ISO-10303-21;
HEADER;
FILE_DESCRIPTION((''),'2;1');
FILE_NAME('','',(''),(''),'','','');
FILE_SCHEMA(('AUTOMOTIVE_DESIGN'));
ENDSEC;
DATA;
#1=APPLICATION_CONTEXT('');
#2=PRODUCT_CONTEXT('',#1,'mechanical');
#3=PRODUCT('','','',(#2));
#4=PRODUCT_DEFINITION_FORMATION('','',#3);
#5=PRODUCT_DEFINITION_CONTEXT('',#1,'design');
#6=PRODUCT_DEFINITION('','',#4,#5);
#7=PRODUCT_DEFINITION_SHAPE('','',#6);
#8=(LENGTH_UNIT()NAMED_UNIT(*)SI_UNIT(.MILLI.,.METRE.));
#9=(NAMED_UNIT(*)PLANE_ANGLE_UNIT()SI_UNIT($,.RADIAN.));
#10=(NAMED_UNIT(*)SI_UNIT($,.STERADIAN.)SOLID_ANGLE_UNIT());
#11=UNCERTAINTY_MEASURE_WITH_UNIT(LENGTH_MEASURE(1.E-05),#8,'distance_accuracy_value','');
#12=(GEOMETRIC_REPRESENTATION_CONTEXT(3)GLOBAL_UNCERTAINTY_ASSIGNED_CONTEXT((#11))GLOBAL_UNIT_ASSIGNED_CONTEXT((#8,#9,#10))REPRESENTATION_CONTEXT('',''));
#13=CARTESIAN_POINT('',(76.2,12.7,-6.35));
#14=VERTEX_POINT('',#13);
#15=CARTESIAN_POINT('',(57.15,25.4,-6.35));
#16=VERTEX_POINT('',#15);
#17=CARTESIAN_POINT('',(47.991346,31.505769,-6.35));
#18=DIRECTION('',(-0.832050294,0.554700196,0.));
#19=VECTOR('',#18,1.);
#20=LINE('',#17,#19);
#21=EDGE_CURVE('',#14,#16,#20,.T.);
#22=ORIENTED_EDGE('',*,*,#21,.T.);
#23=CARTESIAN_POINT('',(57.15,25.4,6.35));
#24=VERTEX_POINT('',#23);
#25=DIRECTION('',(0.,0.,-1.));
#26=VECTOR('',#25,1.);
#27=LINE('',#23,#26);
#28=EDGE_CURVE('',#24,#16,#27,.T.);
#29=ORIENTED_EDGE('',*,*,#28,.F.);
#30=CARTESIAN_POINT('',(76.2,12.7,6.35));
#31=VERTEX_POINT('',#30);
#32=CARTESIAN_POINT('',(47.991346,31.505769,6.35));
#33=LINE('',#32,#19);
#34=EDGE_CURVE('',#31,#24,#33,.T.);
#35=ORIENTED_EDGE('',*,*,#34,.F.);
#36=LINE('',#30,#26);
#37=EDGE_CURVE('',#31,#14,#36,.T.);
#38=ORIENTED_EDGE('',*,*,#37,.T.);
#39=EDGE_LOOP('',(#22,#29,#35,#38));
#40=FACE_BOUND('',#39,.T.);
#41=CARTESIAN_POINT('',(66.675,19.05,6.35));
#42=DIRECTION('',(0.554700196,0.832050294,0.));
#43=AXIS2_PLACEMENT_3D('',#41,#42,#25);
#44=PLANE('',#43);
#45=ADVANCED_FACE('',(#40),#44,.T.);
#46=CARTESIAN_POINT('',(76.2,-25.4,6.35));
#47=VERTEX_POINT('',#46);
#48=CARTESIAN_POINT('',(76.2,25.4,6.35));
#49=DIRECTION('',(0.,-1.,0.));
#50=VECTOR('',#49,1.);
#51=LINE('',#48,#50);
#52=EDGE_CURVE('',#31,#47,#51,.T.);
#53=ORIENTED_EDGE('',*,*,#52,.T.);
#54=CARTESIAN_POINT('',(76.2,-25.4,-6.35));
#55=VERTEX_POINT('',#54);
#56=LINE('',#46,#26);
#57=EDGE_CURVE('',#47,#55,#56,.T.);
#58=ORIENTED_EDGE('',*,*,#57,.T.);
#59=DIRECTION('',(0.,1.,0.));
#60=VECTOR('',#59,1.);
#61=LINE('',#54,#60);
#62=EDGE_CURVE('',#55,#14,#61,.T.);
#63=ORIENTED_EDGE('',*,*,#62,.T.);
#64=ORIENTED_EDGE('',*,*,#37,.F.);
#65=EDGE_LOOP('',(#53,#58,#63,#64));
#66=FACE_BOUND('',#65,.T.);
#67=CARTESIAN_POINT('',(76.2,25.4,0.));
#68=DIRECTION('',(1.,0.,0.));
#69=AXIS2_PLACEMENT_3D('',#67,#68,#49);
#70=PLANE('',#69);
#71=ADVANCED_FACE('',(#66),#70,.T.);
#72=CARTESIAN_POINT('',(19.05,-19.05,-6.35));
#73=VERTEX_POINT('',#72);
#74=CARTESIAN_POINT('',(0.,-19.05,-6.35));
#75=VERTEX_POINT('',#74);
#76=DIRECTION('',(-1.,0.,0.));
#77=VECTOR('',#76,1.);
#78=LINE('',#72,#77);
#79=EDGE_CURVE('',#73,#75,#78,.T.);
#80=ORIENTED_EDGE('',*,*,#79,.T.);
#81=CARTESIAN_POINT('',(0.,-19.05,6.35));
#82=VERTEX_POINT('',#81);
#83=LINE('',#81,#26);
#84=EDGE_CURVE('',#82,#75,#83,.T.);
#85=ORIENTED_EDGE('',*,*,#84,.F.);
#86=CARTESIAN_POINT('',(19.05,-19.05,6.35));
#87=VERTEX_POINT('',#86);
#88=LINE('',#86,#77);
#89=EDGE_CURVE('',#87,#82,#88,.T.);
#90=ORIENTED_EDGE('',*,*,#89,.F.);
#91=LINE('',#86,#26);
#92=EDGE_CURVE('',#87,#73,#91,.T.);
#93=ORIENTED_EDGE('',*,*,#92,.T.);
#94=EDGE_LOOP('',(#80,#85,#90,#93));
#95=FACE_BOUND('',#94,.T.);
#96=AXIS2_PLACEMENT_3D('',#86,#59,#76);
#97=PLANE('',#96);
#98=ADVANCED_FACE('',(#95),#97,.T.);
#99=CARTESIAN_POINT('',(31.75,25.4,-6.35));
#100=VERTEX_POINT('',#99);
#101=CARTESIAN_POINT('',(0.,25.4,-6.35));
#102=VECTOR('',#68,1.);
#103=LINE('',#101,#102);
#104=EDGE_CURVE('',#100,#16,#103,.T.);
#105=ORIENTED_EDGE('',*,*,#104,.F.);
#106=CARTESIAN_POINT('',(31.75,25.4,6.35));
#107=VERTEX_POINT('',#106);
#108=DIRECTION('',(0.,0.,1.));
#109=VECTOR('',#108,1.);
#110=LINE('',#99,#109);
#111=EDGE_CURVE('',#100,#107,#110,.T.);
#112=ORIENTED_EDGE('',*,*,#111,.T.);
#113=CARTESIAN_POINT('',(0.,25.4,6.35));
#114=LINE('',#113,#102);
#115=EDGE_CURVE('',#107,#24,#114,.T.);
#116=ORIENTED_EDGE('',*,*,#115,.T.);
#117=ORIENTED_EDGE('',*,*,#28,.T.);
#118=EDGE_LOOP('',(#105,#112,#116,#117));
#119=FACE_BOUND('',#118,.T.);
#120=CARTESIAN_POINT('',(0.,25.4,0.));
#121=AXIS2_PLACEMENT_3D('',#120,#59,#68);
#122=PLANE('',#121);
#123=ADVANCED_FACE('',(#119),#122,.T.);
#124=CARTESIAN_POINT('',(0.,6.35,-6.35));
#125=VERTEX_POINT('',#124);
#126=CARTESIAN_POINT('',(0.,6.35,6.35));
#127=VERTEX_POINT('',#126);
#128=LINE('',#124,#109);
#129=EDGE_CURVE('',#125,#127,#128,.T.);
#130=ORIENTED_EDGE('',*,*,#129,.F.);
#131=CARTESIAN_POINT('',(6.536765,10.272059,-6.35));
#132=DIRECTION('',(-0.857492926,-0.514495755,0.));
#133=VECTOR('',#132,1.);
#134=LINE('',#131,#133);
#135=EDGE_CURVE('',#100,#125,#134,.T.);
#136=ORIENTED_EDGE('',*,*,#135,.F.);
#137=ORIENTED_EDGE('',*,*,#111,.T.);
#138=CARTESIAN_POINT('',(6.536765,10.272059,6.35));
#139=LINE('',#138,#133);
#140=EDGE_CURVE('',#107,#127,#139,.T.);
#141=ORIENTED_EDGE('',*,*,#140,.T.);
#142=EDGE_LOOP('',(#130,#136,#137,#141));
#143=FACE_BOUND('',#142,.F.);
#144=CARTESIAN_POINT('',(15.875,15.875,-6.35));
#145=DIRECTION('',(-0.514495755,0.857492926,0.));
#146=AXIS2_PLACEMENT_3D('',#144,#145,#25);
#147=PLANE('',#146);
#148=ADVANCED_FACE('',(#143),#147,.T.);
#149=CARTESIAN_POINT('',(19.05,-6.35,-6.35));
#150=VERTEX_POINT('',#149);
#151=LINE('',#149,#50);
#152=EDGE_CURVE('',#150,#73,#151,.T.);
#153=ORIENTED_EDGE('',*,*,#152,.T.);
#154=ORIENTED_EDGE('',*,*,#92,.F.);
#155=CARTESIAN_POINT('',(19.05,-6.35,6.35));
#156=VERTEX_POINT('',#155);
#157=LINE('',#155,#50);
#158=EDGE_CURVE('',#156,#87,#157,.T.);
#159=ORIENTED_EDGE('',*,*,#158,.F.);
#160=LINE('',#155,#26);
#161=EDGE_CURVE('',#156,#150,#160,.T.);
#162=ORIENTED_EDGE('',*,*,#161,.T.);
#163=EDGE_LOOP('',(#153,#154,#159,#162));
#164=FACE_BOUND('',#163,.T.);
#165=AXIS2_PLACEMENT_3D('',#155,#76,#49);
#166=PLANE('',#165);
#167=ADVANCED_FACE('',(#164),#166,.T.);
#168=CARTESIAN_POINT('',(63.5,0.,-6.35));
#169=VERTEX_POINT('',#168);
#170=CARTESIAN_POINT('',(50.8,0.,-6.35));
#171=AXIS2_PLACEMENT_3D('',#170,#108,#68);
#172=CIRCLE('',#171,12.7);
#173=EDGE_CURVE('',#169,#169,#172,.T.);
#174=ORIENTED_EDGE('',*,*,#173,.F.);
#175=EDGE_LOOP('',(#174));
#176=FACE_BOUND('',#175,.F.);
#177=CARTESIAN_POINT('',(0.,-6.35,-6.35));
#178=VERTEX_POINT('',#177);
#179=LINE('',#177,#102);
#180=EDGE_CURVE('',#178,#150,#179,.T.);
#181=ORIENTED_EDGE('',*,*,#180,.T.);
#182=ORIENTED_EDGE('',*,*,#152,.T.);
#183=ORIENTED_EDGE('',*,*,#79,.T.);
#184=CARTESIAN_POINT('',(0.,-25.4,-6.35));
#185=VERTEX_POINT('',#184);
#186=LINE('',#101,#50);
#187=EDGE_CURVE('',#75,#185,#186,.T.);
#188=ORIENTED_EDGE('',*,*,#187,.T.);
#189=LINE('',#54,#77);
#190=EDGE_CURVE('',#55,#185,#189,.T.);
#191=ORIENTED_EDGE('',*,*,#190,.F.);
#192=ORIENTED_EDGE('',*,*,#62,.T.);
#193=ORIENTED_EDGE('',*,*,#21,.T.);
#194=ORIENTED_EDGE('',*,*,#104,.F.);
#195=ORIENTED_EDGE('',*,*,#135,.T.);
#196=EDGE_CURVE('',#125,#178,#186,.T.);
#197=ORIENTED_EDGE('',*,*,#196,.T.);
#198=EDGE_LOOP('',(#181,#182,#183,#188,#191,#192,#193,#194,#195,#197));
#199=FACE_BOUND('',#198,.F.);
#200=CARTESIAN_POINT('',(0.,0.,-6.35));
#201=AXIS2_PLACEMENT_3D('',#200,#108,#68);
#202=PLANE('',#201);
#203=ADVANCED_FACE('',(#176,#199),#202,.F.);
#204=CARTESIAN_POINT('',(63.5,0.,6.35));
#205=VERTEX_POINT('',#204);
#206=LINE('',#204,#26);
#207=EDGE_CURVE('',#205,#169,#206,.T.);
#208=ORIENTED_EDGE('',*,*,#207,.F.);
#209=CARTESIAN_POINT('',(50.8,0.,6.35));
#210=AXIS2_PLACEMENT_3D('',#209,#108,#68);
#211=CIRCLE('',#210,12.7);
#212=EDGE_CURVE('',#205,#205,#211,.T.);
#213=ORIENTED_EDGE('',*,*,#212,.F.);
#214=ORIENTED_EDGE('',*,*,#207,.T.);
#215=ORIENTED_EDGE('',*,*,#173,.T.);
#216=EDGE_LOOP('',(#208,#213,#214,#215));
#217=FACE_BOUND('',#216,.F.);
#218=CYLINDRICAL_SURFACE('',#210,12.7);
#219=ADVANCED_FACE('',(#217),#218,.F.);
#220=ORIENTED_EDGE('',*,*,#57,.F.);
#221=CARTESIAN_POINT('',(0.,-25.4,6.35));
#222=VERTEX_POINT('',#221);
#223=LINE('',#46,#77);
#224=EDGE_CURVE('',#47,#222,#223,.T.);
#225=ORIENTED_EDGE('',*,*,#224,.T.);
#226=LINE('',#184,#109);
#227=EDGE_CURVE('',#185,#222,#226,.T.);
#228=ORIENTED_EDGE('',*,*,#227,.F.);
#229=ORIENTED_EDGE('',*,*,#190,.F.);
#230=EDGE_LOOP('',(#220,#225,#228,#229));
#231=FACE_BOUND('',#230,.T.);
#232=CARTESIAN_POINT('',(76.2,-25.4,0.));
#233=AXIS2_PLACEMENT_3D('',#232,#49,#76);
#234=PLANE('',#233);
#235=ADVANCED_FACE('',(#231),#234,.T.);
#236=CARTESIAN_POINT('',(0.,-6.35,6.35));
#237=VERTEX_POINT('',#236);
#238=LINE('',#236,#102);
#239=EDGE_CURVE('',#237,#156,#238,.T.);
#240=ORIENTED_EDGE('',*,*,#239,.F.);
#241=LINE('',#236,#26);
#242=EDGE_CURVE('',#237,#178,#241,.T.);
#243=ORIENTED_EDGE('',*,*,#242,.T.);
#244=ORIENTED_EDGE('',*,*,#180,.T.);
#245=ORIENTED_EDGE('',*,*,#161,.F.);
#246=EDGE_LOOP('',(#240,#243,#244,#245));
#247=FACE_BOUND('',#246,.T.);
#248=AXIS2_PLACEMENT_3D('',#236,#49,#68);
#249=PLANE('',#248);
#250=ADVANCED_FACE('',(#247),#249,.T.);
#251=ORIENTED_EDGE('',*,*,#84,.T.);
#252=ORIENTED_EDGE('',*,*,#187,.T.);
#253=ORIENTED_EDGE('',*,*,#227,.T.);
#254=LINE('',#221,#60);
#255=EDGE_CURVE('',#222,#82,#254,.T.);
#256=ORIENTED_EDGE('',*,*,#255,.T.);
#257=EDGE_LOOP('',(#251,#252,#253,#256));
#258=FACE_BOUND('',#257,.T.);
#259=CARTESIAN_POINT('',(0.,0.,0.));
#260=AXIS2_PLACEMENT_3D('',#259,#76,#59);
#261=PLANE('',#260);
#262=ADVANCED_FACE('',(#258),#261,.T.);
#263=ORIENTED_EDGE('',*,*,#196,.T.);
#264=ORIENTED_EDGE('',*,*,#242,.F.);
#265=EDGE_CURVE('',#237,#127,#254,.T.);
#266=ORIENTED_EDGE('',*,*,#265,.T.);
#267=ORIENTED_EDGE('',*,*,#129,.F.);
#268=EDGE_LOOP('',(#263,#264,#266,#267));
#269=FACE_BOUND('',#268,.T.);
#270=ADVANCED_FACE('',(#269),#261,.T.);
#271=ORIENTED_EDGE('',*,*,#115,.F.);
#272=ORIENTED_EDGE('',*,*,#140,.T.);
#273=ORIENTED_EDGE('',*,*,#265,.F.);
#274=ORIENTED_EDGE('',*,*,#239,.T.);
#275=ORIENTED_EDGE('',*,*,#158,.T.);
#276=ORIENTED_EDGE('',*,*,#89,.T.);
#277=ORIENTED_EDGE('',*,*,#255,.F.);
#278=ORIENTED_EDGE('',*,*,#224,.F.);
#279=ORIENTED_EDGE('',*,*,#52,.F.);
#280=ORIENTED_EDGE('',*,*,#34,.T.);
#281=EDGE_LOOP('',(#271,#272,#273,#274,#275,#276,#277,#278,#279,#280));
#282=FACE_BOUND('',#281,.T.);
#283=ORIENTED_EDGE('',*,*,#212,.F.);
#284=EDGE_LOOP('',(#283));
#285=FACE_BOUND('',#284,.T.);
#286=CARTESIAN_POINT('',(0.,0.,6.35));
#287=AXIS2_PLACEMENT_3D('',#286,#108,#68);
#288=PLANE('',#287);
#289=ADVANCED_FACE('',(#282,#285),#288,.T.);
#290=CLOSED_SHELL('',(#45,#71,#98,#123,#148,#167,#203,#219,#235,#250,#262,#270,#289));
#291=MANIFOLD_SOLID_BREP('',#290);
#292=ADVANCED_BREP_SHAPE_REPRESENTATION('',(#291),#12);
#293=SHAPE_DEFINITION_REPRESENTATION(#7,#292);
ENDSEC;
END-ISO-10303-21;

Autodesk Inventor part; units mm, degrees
sketch "Sketch1" plane through (0, 0, 0) normal (0, 0, 1) x (1, 0, 0)
  line L0 (0, 25.4) -> (76.2, 25.4)
  line L1 (76.2, 25.4) -> (76.2, -25.4)
  line L2 (76.2, -25.4) -> (0, -25.4)
  line L3 (0, -25.4) -> (0, 25.4)
  line L4 (-15.24, 0) -> (91.44, 0) projected
  line L5 (0, 35.56) -> (0, -35.56) projected
  point P0 (0, 0)
  dimension "d0" = 50.8
  dimension "d1" = 76.2
  dimension "d2" = 25.4
  dimension "d3" = 0
extrude "Extrusion1" add sketch "Sketch1" along normal mid plane 12.7
sketch "Sketch2" plane through (0, 0, 6.35) normal (0, 0, 1) x (1, 0, 0)
  circle A0 centre (50.8, 0) radius 12.7
  line L0 (76.2, -25.4) -> (76.2, 25.4) projected
  line L1 (0, -25.4) -> (76.2, -25.4) projected
  point P0 (0, 0)
  dimension "d6" = 25.4
  dimension "d7" = 25.4
  dimension "d8" = 25.4
extrude "Extrusion2" cut sketch "Sketch2" against normal up to surface (12.7 mm away)
sketch "Sketch3" plane through (0, 0, 6.35) normal (0, 0, 1) x (1, 0, 0)
  line L0 (0, -25.4) -> (0, 25.4) projected
  line L1 (0, -6.35) -> (19.05, -6.35)
  line L2 (19.05, -6.35) -> (19.05, -19.05)
  line L3 (19.05, -19.05) -> (0, -19.05)
  line L4 (0, -25.4) -> (76.2, -25.4) projected
  point P0 (0, 0)
  dimension "d11" = 12.7
  dimension "d12" = 19.05
  dimension "d13" = 6.35
extrude "Extrusion3" cut sketch "Sketch3" against normal up to surface (12.7 mm away)
chamfer "Chamfer1" distance 12.7 distance2 19.05 1 edges at (76.2, 25.4, 0) measured on face at (76.2, 8.4667, 2.1167)
chamfer "Chamfer2" distance 31.75 distance2 19.05 1 edges at (0, 25.4, 0) measured on face at (19.05, 25.4, 2.1167)
equation "\"d2\" = 0.5 * d0"
properties part number "chap2ex1"
